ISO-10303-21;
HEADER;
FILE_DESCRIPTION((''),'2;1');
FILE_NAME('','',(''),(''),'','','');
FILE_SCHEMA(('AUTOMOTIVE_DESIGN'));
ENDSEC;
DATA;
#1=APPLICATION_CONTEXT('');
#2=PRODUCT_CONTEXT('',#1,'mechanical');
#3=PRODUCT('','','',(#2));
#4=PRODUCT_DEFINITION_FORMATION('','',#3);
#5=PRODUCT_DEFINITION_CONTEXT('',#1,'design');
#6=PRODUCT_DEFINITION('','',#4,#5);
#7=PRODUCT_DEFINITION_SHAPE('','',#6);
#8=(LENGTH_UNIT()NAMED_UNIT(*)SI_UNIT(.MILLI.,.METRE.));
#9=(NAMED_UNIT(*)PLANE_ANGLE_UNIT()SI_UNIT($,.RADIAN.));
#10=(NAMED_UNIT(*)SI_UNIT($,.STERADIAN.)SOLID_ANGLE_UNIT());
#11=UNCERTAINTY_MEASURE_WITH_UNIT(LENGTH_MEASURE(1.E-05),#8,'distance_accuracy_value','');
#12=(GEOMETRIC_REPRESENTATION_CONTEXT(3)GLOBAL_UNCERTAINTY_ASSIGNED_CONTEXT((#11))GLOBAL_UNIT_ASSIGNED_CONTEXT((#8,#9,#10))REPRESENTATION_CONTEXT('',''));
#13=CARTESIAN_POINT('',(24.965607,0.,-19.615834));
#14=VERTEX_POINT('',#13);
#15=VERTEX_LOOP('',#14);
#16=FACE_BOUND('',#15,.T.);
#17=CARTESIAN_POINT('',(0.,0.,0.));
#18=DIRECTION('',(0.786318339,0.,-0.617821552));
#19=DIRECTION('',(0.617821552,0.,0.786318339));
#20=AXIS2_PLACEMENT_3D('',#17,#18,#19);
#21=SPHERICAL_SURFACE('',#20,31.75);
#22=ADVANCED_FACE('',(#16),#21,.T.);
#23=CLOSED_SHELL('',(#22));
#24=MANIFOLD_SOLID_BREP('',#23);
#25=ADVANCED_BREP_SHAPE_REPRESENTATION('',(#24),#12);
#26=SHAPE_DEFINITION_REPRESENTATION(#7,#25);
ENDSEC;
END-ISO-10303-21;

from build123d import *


with BuildPart() as part:
    # Sketch2 one side → Revolve4 (revolve)
    with BuildSketch(Plane(origin=(0, 0, 0), x_dir=(1, 0, 0), z_dir=(0, 1, 0))):
        with BuildLine():
            ThreePointArc((-24.965607258, -19.615834274), (10.377968722, -30.006003819), (31.75, 0))
            ThreePointArc((31.75, 0), (30.006003819, 10.377968722), (24.965607258, 19.615834274))
            Line((24.965607258, 19.615834274), (-24.965607258, -19.615834274))
        make_face()
    revolve(axis=Axis((0, 0, 0), (-0.786318339, 0, 0.617821552)))


solid = part.part
